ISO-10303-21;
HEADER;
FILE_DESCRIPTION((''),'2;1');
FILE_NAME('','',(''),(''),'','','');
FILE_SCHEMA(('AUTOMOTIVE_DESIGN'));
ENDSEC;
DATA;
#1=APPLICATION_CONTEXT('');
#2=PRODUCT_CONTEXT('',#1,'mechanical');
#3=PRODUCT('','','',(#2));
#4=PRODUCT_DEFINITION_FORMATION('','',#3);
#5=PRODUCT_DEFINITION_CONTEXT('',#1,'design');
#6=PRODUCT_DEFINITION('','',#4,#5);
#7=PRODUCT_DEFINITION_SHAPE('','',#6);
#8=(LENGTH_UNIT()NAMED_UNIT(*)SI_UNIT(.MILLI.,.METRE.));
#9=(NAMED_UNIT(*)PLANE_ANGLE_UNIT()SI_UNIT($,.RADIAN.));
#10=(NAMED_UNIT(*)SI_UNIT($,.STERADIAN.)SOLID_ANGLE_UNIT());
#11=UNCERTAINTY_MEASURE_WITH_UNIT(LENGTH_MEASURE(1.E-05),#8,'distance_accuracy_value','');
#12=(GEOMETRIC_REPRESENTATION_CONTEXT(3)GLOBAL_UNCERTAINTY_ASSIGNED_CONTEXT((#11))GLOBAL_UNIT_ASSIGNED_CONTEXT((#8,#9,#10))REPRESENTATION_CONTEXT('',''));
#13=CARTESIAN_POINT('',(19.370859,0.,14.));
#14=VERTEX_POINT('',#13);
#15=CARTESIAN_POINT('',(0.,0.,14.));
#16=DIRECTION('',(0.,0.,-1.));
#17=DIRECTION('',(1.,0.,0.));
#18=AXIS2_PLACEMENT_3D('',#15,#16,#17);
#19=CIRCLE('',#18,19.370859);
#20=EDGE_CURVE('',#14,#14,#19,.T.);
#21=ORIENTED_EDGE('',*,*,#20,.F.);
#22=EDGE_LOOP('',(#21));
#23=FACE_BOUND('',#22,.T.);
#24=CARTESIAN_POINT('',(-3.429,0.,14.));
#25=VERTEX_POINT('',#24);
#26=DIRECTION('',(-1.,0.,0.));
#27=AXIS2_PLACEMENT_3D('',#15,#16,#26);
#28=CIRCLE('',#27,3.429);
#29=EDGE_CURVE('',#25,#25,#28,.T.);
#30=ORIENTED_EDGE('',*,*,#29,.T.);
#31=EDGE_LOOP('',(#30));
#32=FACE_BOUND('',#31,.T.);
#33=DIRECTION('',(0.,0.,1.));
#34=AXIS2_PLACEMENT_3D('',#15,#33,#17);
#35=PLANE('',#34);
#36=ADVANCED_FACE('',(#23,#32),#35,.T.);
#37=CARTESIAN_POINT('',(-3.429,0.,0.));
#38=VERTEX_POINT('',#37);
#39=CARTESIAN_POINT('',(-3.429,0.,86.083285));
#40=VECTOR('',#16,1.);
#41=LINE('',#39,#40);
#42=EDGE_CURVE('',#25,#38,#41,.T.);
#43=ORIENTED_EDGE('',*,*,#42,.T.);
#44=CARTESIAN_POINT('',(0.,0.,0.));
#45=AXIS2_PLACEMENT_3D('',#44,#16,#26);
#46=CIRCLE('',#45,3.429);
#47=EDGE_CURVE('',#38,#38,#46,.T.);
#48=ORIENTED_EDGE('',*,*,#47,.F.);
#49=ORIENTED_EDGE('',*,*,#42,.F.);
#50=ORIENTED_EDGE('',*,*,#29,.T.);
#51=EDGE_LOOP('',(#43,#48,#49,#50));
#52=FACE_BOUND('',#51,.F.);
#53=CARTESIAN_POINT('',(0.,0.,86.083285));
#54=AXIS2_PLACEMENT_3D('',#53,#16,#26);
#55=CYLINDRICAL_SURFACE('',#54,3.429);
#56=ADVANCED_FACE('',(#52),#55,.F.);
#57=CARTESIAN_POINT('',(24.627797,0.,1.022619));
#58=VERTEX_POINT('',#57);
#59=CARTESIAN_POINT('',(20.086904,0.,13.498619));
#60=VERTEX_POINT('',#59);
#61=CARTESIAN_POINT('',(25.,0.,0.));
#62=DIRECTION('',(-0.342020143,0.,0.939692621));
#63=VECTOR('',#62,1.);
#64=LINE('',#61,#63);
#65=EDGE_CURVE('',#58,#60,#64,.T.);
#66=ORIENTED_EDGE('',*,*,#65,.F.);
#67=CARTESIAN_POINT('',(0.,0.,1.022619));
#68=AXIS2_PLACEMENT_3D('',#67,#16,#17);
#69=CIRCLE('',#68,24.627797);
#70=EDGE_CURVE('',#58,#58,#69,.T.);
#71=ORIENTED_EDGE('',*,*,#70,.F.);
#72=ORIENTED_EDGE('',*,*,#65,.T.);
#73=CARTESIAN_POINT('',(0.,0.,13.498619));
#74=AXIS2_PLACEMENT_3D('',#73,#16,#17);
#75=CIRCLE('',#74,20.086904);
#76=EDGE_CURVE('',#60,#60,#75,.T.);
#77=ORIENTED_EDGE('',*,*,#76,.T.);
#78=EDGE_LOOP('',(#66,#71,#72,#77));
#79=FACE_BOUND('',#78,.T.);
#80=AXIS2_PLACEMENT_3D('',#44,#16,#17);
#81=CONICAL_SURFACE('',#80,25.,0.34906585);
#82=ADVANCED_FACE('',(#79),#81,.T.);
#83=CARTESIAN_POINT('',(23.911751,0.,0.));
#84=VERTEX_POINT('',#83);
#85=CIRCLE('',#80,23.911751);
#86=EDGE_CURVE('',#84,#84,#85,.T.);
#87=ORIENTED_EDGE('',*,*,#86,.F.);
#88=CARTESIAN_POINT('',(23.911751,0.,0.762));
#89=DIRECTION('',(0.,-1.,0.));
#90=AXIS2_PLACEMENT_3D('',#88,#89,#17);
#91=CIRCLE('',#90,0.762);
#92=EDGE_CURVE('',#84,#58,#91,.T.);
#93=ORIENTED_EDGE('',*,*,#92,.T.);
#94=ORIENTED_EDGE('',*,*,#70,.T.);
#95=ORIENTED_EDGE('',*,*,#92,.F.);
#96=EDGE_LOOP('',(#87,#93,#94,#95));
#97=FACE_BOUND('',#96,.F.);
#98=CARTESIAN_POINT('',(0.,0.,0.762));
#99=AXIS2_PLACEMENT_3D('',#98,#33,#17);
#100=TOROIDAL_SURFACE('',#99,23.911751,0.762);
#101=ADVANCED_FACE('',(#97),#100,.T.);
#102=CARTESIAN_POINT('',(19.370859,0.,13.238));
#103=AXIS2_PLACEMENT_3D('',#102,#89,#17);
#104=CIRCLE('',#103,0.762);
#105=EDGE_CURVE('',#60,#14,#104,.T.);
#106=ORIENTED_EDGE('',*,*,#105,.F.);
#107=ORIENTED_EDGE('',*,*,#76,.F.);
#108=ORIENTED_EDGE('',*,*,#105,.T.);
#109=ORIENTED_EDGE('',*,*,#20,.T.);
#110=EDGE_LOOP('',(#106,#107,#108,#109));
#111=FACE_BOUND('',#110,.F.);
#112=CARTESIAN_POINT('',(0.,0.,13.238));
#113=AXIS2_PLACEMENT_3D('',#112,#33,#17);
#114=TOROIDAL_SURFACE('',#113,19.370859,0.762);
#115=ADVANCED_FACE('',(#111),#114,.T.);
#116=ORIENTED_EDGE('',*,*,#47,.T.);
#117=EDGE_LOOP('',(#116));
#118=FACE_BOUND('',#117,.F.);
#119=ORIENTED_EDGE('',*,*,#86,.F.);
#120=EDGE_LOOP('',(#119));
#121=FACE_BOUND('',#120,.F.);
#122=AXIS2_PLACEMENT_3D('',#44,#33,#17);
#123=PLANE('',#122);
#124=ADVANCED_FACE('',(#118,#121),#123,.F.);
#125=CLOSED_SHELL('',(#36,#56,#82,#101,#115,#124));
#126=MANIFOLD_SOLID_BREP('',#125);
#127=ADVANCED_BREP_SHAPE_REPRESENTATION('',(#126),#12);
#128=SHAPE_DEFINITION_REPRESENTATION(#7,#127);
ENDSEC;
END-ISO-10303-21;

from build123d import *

# Parameters (mm, degrees)
F0_R     = 25
F1_DEPTH = 14
F1_TAPER = 20
F3_D     = 6.858
F4_R     = 0.762


with BuildPart() as f1:
    # F0 (on Top) → F1 (new body)
    with BuildSketch(Plane.XY):
        Circle(F0_R)
    extrude(amount=F1_DEPTH, taper=F1_TAPER)

    # F3 (through all)
    with Locations(Plane.XY.offset(14)):
        with Locations((0, 0)):
            Hole(F3_D / 2)

    # F4
    f4_edges = [f1.edges().sort_by_distance(p)[0] for p in [
        (-19.904417, 0, 14),
        (-25, 0, 0),
    ]]
    fillet(f4_edges, radius=F4_R)


solid = f1.part
